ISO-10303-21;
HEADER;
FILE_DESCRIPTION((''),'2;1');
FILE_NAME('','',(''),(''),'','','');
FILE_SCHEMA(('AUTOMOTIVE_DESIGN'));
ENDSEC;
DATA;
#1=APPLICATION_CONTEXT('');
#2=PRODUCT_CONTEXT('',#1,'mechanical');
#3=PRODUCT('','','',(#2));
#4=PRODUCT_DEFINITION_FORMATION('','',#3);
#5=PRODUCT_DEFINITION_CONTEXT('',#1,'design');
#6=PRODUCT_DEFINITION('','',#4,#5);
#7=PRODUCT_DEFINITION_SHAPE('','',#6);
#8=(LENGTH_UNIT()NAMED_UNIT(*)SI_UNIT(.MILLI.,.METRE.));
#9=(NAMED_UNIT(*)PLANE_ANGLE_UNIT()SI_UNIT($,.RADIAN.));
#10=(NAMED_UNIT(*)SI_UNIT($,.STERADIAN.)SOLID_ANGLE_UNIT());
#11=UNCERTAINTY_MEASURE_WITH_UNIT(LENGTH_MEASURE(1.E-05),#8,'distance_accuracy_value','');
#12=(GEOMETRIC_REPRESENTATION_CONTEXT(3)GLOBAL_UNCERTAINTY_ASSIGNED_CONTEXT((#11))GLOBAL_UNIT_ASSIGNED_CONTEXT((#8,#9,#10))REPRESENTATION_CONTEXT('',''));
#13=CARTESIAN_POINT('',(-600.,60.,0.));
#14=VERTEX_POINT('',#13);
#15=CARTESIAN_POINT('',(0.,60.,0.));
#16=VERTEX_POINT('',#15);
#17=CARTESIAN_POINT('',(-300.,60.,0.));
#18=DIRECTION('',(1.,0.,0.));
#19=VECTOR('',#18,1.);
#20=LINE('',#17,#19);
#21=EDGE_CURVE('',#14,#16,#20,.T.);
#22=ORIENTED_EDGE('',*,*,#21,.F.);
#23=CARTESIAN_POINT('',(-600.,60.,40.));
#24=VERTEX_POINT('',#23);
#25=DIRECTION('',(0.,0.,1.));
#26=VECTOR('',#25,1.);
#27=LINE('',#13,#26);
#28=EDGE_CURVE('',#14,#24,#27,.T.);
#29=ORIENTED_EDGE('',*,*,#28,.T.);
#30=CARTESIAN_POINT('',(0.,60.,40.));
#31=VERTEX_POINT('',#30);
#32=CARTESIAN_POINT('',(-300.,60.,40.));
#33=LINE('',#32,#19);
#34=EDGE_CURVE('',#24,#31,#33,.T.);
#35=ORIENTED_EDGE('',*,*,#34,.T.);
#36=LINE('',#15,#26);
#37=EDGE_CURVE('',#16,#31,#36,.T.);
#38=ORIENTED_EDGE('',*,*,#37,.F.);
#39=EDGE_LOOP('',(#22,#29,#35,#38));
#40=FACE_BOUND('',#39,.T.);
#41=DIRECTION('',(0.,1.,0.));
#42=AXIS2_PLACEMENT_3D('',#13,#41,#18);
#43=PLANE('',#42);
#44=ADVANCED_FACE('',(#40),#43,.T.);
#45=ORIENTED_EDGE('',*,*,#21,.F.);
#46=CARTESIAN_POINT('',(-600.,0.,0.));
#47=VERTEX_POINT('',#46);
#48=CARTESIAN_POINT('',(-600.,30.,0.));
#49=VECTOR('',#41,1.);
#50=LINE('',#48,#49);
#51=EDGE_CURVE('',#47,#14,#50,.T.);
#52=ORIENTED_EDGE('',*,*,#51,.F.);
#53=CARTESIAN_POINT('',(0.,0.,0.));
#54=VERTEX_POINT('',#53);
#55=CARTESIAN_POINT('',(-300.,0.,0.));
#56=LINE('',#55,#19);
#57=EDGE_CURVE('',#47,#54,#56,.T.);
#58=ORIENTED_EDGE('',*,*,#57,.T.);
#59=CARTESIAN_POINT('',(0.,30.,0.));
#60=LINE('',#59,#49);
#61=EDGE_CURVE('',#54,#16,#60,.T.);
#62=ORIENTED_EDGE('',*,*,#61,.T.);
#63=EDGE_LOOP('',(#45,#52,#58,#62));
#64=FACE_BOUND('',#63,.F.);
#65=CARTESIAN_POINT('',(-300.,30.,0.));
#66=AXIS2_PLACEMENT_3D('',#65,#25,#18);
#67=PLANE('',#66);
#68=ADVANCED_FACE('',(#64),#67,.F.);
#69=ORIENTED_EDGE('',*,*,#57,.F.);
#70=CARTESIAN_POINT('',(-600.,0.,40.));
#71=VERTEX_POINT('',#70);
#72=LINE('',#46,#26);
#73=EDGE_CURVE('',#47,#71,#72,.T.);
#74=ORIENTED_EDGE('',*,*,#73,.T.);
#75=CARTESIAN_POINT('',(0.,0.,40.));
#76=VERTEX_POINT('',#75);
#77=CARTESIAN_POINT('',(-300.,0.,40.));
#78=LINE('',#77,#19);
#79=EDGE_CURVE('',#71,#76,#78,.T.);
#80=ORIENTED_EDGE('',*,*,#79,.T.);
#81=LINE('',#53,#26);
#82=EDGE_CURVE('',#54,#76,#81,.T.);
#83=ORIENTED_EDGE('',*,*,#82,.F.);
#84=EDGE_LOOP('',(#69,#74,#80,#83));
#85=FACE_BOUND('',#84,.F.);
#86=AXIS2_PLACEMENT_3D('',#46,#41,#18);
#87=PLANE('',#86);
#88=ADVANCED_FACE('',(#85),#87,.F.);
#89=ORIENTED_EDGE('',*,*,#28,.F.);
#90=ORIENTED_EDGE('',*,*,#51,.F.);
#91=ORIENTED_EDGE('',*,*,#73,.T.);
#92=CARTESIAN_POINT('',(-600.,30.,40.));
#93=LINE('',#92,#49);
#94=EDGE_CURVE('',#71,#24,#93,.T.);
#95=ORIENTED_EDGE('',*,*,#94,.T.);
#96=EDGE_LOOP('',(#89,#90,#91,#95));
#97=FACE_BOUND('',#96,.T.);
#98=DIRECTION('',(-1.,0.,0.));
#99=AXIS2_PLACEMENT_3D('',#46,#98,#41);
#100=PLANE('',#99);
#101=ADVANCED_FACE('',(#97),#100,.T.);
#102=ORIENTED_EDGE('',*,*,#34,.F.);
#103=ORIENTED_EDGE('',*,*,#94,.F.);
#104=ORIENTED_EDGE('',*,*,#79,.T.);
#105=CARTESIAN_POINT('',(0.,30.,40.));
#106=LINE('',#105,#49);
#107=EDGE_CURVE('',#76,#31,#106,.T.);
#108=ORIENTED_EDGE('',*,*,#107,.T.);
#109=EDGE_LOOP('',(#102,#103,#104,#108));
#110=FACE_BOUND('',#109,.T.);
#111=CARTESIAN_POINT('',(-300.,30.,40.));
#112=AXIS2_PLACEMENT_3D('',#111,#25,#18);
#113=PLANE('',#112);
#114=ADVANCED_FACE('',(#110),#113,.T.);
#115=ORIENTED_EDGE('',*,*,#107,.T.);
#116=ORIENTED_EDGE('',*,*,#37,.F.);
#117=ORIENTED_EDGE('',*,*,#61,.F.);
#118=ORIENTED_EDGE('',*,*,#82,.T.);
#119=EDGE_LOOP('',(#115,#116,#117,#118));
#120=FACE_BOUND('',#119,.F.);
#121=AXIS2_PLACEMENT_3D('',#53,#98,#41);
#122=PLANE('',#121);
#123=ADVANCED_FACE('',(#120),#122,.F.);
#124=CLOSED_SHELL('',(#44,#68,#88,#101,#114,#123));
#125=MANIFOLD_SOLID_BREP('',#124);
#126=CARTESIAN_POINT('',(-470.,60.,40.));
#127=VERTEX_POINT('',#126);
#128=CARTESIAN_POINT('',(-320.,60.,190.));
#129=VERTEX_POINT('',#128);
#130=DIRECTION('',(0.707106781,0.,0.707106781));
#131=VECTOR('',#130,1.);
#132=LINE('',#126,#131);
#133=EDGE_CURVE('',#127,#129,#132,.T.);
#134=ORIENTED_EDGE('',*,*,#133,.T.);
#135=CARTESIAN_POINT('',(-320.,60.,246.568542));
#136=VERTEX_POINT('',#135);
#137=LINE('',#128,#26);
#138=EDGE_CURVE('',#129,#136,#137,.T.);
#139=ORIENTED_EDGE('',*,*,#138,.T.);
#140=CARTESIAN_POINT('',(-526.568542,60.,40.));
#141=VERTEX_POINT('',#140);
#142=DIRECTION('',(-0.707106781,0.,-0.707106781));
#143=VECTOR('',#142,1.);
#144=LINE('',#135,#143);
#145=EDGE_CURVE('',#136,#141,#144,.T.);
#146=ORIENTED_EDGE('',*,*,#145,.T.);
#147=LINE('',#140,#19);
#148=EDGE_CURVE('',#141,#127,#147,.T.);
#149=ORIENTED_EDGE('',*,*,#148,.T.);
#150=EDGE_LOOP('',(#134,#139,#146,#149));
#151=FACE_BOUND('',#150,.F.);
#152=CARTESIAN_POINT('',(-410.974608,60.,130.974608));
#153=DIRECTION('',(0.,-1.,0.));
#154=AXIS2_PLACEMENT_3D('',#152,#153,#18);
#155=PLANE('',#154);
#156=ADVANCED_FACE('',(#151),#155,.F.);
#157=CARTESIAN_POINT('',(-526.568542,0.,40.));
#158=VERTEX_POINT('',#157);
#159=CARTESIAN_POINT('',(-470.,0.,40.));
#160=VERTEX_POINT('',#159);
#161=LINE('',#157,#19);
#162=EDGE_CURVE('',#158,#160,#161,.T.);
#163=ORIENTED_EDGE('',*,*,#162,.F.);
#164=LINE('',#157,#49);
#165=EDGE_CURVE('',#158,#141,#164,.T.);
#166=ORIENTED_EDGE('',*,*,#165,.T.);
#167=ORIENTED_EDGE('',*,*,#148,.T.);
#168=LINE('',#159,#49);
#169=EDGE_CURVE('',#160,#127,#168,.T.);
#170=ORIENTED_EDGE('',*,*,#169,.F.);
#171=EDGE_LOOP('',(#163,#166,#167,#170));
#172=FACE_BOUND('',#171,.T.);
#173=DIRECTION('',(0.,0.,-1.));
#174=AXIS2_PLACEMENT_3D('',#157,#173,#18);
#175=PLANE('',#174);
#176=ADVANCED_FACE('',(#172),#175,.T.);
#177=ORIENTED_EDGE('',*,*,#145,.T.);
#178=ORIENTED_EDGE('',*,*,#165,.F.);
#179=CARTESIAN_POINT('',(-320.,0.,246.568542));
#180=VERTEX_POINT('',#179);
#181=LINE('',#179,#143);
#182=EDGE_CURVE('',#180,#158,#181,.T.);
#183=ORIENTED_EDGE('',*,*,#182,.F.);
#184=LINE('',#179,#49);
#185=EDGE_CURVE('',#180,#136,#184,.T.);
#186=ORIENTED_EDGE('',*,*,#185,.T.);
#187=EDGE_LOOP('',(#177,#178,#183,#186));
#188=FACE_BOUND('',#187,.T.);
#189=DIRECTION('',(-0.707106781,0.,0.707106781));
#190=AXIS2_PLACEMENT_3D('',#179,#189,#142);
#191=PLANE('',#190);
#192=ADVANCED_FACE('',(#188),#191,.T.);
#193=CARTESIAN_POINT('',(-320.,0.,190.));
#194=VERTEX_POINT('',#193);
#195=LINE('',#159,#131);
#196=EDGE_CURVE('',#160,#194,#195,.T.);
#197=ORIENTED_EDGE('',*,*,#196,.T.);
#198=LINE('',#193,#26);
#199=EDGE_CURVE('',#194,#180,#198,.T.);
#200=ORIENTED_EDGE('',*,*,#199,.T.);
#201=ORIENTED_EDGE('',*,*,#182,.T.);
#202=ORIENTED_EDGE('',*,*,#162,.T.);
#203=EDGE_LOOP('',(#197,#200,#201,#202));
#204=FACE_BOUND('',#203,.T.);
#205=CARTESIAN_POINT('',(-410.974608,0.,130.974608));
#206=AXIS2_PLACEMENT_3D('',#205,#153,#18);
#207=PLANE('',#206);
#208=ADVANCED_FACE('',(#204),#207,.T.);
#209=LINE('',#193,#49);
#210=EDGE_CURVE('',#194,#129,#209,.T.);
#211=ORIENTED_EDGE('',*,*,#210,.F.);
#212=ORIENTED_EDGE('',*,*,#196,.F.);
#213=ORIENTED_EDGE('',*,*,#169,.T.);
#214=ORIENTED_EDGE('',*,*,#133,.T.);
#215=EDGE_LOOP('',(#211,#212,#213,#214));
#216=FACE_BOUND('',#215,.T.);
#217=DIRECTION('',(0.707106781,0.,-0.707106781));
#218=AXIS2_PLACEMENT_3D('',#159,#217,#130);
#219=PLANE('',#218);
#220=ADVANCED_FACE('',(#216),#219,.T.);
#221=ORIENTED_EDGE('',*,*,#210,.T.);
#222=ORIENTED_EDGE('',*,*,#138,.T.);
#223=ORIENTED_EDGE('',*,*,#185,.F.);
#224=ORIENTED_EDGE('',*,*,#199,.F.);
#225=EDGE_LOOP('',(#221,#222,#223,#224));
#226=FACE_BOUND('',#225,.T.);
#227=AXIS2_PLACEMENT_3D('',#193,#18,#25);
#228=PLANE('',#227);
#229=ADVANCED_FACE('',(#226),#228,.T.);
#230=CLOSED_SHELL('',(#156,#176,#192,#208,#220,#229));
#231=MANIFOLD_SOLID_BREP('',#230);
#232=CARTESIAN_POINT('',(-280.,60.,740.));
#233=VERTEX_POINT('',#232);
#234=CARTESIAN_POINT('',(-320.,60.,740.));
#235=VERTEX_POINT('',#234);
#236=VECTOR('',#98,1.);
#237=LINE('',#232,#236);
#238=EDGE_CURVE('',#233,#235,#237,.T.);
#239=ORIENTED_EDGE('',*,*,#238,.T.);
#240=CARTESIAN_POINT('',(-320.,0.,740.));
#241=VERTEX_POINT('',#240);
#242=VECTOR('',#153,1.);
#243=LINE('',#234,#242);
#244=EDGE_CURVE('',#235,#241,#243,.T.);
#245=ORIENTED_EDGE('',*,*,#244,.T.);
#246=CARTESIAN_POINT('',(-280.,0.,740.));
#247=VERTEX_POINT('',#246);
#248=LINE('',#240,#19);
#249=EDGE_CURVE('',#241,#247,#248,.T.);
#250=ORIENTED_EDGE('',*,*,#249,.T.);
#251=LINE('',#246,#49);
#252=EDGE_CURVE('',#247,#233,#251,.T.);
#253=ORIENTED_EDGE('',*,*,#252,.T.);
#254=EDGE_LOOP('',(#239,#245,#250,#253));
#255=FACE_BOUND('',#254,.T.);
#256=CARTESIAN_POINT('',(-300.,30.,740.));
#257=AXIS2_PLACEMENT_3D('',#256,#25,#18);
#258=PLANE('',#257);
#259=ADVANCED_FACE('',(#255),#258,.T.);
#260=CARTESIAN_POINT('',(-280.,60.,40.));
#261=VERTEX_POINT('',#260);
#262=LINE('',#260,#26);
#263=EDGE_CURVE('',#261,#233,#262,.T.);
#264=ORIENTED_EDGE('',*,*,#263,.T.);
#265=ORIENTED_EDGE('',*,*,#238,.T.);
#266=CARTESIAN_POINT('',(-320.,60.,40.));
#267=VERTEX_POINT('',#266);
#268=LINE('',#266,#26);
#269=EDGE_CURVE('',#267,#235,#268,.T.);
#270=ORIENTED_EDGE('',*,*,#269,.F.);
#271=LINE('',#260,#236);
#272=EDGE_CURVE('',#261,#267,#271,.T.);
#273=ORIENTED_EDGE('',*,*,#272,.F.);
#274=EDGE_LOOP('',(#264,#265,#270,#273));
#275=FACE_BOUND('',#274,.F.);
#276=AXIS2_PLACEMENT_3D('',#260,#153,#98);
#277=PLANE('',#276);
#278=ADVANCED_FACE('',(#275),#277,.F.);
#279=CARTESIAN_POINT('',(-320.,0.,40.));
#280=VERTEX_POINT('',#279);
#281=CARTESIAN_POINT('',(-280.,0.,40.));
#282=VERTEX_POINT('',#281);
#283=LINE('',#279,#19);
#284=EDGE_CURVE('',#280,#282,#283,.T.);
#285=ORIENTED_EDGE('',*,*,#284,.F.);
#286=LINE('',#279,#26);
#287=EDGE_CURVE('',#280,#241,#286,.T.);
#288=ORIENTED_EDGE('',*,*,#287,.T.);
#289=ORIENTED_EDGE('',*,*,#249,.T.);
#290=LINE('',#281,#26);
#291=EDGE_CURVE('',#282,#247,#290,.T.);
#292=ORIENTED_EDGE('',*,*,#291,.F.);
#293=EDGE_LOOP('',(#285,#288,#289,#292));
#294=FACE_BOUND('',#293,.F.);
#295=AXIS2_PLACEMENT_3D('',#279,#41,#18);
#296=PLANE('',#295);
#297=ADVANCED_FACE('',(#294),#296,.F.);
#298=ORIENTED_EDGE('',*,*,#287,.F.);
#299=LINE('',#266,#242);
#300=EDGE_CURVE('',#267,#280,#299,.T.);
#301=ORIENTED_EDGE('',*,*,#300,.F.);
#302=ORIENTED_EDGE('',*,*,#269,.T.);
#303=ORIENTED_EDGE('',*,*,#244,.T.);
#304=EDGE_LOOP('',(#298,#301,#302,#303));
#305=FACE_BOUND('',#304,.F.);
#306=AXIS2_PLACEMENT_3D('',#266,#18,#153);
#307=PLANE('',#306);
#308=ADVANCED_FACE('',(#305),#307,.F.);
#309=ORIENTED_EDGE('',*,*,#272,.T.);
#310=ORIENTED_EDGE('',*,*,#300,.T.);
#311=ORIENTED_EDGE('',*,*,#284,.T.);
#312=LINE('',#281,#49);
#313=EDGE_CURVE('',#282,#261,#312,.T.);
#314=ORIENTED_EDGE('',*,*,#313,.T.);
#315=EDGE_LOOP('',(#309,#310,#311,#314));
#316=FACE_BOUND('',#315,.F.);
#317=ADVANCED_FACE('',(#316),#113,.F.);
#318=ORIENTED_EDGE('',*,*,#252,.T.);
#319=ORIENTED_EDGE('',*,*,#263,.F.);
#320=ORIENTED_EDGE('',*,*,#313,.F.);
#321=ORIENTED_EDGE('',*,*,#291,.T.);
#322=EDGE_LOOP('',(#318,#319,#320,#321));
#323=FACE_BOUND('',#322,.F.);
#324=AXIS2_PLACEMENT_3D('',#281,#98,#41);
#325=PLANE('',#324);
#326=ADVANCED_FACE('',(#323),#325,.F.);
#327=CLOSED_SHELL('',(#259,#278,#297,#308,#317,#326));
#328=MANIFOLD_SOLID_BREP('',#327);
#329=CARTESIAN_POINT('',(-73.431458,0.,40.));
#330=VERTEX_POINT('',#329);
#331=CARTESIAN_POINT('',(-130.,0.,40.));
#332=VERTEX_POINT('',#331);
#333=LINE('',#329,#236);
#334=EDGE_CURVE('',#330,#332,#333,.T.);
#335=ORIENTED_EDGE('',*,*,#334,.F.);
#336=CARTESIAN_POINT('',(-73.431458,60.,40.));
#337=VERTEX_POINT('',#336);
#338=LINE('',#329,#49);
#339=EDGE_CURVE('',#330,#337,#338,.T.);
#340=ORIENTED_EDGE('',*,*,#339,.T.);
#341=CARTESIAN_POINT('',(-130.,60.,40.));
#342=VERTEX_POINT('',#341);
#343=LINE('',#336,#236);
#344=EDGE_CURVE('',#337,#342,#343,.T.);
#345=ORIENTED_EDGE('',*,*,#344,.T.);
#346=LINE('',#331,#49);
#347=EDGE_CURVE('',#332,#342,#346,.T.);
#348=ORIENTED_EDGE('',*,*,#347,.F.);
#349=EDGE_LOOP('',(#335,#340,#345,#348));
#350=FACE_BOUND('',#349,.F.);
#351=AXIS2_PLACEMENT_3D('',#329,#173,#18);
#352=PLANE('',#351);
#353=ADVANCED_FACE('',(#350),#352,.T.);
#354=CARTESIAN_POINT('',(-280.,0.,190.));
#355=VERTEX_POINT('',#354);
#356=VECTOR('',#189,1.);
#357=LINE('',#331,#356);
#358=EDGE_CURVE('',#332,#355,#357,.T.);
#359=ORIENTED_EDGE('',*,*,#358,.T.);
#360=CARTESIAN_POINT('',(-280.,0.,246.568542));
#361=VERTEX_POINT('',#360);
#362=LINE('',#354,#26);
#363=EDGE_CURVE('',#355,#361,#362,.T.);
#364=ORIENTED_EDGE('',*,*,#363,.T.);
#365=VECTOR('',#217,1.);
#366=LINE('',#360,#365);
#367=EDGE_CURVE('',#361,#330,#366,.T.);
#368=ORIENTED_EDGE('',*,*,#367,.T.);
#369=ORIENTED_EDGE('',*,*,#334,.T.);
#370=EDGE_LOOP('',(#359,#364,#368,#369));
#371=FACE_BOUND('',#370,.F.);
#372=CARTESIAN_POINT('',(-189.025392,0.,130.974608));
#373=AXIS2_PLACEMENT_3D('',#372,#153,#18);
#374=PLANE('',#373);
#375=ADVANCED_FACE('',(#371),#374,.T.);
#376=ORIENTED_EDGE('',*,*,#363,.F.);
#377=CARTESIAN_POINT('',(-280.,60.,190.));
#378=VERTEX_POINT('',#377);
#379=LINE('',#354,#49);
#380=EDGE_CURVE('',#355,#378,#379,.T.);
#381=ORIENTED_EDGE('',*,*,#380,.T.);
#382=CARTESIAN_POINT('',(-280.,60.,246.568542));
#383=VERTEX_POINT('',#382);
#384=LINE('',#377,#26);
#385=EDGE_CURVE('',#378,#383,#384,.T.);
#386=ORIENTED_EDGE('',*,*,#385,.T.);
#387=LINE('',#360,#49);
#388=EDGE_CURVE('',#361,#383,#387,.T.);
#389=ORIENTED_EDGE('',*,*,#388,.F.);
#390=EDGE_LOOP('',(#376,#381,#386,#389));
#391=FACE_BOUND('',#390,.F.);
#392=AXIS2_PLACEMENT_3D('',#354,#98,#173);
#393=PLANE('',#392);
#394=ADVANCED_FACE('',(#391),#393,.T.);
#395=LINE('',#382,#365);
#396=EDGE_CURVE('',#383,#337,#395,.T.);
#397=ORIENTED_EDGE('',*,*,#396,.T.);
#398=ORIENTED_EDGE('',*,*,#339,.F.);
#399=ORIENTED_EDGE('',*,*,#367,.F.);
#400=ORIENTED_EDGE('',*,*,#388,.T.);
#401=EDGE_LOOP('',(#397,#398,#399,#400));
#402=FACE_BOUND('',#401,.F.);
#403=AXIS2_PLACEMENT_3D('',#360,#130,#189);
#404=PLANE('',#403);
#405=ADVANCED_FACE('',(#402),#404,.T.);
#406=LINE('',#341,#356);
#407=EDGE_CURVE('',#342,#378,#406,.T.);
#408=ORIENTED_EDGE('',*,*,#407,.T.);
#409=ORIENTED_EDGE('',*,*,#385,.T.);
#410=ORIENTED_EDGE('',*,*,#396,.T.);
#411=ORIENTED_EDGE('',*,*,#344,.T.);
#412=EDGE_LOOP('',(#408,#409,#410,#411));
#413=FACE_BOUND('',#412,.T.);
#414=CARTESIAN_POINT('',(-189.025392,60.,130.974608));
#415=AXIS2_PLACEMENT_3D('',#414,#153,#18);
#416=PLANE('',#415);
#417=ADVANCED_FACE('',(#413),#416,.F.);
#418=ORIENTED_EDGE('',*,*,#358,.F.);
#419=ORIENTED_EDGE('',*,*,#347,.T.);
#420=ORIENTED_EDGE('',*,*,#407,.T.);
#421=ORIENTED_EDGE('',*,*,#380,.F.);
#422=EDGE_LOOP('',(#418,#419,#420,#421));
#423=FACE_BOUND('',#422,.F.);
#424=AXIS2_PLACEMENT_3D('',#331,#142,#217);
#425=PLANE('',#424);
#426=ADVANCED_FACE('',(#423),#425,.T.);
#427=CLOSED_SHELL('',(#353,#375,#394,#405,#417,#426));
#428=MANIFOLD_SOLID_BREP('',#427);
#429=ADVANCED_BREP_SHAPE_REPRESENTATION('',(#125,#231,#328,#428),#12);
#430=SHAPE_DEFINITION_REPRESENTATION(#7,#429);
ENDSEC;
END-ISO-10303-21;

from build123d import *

# Parameters (mm, degrees)
F0_W     = 600
F0_H     = 60
F1_DEPTH = 40
F3_DEPTH = 700
F5_DEPTH = 60


with BuildPart() as f1:
    # F0 (on Top) → F1 (new body)
    with BuildSketch(Plane.XY):
        with Locations((-300, 30)):
            Rectangle(F0_W, F0_H)
    extrude(amount=F1_DEPTH)


with BuildPart() as f3:
    # F2 (on face) → F3 (new body)
    with BuildSketch(Plane.XY.offset(40)):
        Polygon((-320, 0), (-300, 0), (-280, 0), (-280, 60), (-300, 60), (-320, 60), align=None)
    extrude(amount=F3_DEPTH)


with BuildPart() as f5:
    # F4 (on face) → F5 (new body)
    with BuildSketch(Plane.XZ):
        Polygon((-470, 40), (-320, 190), (-320, 246.568542), (-526.568542, 40), align=None)
    extrude(amount=-F5_DEPTH)


with BuildPart() as f7_1:
    # F7: instance of F5
    add(f5.part.mirror(Plane(origin=(-300, 30, 390), x_dir=(0, -1, 0), z_dir=(-1, 0, 0))))


solid = Compound([f1.part, f3.part, f5.part, f7_1.part])
